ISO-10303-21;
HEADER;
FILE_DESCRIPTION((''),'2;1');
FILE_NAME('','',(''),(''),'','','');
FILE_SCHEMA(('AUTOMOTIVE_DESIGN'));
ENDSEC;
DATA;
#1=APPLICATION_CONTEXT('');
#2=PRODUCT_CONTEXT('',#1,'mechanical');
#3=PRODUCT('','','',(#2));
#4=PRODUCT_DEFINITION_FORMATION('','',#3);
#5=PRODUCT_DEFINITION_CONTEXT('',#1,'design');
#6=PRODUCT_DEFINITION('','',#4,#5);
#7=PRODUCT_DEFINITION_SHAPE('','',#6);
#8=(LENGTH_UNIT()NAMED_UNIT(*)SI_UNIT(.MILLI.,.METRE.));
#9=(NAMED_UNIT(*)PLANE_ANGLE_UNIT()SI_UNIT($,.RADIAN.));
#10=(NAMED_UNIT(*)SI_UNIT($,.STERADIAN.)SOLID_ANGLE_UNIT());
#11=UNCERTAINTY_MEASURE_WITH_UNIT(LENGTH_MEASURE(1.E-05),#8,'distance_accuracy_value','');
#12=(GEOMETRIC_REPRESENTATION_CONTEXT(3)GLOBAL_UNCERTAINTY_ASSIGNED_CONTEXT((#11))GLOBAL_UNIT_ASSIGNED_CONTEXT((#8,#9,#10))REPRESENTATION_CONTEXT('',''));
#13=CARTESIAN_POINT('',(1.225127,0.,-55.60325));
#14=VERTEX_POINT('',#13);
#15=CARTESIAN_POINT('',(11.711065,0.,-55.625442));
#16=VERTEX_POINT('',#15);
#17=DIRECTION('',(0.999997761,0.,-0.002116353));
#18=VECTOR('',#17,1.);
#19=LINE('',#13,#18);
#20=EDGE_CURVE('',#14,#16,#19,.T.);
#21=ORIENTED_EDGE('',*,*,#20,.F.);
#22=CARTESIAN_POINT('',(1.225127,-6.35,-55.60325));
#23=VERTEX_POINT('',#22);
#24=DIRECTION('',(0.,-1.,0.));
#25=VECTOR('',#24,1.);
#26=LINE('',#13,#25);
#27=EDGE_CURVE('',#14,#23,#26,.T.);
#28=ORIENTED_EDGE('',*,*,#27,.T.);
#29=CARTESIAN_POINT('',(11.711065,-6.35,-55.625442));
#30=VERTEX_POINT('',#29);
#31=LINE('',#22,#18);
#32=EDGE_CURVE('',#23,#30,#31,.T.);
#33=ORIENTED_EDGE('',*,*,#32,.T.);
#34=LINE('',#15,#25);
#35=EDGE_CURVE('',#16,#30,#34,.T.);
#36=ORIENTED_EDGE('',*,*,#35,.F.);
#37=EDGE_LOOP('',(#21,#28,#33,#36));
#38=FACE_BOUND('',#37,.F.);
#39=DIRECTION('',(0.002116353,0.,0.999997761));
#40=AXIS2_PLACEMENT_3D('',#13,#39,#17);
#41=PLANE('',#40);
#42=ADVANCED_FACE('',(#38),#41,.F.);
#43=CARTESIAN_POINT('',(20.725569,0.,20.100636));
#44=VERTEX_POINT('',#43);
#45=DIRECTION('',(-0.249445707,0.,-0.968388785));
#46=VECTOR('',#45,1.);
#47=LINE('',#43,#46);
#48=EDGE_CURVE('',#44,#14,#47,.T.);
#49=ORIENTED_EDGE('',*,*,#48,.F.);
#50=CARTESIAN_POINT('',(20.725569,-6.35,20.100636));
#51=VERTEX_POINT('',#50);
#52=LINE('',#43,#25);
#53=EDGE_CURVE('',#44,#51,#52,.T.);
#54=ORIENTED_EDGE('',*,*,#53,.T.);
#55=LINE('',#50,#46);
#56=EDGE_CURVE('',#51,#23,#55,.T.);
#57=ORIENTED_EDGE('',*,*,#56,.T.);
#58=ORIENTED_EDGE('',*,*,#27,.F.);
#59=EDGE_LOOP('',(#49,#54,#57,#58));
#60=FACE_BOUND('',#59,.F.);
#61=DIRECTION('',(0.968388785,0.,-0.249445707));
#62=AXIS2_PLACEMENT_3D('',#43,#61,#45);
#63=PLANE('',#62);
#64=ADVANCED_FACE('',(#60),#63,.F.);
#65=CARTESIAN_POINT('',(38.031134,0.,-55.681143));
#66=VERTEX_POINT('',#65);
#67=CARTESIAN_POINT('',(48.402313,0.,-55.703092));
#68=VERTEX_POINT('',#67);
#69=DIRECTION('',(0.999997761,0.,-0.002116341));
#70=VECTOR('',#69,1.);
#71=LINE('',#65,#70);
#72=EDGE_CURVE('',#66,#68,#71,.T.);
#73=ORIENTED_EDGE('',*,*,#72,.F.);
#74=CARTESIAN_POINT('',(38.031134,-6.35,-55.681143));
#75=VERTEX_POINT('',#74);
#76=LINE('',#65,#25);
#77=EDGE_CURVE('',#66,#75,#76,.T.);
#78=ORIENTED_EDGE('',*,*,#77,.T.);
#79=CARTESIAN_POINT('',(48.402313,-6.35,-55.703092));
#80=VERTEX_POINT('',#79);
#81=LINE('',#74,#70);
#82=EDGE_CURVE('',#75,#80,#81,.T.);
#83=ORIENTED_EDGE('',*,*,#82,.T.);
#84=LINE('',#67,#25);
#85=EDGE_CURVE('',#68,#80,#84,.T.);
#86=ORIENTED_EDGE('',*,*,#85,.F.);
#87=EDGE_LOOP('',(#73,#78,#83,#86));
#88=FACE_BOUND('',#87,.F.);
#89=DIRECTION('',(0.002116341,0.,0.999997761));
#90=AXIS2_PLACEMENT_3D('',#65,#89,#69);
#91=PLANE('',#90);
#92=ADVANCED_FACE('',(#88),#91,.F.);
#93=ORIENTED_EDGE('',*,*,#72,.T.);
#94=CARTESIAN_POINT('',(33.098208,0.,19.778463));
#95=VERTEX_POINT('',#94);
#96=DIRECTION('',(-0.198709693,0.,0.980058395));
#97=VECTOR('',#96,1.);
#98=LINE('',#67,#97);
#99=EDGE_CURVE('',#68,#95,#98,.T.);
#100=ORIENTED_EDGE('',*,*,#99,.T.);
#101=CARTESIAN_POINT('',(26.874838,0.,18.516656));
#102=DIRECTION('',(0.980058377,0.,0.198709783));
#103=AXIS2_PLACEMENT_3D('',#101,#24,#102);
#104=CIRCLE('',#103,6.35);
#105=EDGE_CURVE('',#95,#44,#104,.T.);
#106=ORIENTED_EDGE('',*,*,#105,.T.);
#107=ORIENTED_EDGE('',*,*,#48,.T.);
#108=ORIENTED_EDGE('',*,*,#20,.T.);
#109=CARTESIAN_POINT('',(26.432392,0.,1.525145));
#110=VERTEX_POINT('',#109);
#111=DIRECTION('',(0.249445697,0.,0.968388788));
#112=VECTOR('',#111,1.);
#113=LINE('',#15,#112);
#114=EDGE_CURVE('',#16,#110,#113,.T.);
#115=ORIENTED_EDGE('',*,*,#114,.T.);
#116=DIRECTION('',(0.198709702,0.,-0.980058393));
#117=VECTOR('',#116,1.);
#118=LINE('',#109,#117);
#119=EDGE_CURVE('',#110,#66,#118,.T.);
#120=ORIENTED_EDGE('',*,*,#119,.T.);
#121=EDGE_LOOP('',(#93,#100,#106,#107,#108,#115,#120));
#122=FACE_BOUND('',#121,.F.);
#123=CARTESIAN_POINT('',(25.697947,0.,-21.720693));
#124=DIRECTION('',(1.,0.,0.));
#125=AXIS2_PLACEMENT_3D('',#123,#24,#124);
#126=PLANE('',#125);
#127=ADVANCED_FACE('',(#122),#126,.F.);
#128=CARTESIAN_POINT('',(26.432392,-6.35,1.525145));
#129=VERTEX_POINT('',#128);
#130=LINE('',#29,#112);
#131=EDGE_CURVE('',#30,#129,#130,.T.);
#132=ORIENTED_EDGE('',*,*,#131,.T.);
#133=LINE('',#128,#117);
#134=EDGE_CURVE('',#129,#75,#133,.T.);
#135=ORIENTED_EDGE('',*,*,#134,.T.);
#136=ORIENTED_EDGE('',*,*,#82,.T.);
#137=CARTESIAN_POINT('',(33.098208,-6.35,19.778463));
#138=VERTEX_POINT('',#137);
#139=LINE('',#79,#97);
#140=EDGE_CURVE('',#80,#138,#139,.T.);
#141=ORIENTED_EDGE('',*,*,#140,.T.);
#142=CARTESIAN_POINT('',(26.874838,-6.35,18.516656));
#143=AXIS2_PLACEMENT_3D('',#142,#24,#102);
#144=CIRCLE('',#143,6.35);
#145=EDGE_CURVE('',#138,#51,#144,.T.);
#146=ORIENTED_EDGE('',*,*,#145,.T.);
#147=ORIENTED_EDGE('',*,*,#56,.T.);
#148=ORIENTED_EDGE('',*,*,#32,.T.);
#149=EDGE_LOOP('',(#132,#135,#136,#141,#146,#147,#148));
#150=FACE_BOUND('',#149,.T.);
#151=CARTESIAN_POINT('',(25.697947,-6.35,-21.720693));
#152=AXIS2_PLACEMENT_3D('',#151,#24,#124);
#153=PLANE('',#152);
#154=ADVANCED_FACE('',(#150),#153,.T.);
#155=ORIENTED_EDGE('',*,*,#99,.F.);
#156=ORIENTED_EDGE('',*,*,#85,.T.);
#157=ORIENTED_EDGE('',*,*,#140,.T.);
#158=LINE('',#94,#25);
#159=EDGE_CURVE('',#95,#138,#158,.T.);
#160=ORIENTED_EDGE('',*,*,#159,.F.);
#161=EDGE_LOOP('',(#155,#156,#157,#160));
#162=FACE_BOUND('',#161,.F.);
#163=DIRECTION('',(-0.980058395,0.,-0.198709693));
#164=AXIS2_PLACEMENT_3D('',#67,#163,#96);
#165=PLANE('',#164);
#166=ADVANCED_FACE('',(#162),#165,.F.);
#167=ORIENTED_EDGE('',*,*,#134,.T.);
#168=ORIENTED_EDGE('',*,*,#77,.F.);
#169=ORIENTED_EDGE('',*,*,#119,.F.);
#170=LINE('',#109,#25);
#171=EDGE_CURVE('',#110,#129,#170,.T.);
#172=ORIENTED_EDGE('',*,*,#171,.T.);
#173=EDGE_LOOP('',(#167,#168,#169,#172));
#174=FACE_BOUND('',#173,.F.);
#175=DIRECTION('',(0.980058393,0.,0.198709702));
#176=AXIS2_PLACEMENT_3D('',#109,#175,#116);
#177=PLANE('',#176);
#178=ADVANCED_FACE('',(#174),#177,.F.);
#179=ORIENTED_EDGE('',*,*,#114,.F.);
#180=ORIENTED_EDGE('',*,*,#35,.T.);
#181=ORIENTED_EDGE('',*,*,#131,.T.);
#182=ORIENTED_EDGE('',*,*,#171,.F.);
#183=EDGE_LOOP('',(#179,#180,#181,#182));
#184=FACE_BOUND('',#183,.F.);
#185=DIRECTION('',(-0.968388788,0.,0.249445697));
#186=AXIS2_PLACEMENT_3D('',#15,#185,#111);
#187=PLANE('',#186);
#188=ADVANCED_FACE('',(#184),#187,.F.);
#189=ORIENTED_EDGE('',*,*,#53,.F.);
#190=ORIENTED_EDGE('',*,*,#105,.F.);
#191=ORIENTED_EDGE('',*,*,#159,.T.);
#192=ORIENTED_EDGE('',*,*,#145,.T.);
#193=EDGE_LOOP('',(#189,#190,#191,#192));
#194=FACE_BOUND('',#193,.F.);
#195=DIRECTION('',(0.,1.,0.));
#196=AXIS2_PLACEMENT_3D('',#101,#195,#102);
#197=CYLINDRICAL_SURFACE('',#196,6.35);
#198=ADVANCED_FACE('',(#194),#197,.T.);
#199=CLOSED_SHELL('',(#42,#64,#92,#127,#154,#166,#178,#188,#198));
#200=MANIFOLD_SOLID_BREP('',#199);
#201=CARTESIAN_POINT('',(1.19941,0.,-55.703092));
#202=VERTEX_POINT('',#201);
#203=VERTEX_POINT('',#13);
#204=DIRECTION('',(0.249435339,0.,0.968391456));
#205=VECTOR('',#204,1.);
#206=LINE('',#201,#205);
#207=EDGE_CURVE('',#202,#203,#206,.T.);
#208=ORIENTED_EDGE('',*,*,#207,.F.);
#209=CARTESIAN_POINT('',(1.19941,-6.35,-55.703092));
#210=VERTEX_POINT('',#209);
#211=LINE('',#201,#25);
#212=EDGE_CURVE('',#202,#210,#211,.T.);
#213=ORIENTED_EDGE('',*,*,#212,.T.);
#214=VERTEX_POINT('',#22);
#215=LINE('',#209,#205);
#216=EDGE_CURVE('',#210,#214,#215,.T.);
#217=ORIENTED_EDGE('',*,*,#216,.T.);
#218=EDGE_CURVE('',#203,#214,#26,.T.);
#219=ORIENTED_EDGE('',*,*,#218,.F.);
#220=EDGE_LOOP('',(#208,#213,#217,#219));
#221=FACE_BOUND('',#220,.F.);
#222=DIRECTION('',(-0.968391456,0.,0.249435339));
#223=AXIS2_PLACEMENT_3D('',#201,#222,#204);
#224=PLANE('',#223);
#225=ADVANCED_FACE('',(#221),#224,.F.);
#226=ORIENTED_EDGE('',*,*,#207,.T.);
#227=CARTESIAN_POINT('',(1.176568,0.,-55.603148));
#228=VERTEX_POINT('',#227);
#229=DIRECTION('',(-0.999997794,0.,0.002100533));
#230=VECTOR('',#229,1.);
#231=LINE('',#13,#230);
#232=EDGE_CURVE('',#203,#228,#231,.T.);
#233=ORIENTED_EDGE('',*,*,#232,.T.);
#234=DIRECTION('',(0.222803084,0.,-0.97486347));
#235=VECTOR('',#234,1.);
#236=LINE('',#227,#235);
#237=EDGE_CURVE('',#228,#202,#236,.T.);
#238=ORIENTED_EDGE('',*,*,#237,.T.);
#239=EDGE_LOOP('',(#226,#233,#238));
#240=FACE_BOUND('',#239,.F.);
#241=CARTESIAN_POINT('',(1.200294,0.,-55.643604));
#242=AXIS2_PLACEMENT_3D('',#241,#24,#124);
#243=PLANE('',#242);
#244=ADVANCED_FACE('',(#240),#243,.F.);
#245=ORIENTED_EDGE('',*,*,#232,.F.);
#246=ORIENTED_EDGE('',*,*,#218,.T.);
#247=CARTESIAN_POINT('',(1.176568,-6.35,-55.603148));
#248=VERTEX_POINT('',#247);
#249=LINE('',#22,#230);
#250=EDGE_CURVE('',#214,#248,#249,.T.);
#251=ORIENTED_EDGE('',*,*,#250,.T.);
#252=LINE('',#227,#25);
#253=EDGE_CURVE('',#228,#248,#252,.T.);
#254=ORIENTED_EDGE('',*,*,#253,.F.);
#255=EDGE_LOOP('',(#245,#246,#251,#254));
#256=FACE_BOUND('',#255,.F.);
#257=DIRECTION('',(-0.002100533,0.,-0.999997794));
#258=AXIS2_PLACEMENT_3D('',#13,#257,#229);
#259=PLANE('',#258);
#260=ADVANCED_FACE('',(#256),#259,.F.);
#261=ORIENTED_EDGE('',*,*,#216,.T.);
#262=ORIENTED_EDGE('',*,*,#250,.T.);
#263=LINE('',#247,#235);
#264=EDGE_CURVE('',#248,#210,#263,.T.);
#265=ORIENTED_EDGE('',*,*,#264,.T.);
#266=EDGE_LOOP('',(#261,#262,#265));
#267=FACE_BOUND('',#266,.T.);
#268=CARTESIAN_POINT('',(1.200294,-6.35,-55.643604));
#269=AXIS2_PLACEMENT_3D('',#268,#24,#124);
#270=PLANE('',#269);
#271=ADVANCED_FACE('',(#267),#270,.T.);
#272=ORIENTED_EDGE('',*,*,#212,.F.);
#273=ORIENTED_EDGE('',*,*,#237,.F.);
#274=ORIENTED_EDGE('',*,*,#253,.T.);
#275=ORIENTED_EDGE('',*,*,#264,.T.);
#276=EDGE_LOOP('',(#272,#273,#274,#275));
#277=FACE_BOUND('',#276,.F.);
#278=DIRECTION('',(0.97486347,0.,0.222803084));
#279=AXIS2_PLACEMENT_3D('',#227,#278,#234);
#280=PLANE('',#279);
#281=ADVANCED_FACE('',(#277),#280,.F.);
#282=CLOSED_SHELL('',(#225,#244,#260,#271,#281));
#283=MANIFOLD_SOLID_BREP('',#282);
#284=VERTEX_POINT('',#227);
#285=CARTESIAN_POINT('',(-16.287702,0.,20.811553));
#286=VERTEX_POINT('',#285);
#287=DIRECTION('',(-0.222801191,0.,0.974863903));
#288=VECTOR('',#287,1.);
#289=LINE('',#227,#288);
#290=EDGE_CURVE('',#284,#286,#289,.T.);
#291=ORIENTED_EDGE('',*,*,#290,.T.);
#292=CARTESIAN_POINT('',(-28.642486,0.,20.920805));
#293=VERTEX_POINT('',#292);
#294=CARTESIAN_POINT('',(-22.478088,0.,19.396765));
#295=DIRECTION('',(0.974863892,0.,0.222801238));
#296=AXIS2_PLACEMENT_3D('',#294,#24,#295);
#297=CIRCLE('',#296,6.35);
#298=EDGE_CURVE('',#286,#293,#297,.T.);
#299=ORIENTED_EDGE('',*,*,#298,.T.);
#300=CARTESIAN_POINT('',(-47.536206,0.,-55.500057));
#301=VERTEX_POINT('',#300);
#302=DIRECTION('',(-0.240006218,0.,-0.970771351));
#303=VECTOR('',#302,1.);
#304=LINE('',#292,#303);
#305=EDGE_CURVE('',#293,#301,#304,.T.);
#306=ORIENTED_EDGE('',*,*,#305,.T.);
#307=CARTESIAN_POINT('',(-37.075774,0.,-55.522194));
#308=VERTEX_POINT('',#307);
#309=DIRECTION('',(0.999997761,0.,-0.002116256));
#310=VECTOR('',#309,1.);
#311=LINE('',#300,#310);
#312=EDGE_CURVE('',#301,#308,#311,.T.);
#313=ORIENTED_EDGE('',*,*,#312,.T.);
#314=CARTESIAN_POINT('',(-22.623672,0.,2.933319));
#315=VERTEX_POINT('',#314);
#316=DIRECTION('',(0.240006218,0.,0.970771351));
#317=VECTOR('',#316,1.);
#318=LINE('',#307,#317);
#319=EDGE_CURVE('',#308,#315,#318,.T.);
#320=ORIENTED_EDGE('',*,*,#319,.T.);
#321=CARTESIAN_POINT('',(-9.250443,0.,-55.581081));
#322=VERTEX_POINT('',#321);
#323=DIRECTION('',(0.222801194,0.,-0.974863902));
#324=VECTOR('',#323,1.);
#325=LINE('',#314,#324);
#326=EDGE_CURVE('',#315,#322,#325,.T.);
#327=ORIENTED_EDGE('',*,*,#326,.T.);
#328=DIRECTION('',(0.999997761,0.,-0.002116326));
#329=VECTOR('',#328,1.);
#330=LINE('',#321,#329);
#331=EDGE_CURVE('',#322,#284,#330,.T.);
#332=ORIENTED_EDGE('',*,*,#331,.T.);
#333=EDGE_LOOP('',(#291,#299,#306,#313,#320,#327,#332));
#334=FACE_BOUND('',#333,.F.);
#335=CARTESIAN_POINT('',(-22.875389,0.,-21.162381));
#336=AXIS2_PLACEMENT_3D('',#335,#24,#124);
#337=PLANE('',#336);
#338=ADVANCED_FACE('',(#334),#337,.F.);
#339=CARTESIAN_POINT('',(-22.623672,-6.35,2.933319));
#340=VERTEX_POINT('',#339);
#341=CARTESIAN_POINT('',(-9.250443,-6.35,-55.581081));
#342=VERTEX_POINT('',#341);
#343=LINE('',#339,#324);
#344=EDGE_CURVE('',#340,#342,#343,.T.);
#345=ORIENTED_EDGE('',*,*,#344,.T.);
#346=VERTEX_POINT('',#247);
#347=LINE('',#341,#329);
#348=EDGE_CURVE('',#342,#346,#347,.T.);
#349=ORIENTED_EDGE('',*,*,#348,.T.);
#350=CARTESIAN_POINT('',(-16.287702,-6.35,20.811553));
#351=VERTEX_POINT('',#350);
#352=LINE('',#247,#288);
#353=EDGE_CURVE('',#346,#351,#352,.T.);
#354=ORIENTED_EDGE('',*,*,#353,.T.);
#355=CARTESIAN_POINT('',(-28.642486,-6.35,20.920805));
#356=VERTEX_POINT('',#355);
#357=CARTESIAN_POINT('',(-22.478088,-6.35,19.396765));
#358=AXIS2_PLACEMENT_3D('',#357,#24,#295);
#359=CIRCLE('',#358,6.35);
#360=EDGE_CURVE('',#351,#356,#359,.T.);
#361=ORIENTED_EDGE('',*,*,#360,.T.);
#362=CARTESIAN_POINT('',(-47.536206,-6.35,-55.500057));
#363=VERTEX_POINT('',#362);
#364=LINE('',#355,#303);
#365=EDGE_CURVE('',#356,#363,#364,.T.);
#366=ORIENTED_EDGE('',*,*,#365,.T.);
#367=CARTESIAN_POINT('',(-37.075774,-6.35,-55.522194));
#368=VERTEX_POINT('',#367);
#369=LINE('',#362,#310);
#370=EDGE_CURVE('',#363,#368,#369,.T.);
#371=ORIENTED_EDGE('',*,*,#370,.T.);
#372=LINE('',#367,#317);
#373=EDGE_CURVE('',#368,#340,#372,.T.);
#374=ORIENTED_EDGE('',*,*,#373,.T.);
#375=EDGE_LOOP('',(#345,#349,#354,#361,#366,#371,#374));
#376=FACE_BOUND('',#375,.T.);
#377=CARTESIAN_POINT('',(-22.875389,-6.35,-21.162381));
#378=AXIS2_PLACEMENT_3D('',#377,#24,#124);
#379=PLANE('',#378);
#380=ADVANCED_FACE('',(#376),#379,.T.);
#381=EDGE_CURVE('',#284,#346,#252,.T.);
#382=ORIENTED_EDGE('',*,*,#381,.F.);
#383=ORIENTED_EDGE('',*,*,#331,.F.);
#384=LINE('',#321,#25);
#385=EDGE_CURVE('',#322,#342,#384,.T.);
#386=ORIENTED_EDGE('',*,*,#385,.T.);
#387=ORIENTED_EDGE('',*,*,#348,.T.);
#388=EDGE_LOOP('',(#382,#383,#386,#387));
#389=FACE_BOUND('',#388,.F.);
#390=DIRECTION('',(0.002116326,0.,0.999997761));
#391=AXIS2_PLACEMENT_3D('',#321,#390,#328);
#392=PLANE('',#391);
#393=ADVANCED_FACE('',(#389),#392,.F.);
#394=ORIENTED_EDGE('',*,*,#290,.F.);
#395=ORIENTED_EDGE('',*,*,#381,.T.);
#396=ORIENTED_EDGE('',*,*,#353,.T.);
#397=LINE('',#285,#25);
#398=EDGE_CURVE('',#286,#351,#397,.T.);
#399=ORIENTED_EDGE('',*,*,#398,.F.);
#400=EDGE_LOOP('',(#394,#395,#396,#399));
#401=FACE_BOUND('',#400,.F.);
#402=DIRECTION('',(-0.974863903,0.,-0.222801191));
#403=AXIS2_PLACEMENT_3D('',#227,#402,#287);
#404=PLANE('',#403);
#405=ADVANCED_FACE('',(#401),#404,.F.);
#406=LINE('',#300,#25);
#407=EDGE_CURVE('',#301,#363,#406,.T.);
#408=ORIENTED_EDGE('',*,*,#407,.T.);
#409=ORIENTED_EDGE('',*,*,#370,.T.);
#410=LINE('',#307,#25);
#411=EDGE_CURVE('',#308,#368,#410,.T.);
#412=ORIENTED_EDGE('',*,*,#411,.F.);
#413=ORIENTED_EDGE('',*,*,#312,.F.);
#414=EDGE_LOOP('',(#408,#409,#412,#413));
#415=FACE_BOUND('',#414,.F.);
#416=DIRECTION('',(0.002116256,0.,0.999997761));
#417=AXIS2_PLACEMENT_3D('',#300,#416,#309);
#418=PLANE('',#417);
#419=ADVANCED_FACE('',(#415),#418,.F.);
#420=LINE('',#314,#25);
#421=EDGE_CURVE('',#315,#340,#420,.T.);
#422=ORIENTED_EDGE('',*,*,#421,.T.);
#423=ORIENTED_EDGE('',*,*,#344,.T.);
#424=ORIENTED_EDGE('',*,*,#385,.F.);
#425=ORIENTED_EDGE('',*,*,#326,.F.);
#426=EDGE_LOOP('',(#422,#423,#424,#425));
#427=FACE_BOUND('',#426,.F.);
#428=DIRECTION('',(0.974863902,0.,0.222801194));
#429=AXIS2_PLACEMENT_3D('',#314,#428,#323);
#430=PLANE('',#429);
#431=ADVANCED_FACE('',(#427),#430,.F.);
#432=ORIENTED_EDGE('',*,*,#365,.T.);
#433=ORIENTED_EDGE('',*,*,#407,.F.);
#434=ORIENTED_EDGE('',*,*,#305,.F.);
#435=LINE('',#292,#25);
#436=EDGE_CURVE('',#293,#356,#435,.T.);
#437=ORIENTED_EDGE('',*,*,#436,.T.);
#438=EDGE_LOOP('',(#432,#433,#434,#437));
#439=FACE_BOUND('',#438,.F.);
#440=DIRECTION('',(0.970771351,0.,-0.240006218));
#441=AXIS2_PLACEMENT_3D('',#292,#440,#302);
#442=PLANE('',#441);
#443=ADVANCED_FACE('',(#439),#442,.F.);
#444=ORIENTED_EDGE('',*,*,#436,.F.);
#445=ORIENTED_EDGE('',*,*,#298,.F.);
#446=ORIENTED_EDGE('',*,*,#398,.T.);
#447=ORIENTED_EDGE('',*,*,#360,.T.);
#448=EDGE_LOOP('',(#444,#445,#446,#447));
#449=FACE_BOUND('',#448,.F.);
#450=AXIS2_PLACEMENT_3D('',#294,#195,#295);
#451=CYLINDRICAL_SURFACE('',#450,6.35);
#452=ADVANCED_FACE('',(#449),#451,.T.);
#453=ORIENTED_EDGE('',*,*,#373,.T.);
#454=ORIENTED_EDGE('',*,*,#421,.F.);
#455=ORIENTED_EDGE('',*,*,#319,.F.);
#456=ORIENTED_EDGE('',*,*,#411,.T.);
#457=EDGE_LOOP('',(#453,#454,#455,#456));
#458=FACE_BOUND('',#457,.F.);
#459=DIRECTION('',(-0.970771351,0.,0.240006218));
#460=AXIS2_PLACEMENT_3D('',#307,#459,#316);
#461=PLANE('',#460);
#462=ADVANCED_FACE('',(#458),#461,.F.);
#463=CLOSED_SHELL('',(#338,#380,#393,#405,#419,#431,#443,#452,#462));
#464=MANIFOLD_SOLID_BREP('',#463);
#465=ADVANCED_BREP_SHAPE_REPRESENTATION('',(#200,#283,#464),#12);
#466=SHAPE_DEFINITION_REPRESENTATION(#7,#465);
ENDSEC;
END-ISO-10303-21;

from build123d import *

# Parameters (mm, degrees)
F1_DEPTH = 6.35


with BuildPart() as f1:
    # F0 (on Front) → F1 (new body)
    with BuildSketch(Plane.XZ):
        with BuildLine():
            Line((20.725569, 20.100636), (1.225127, -55.60325))
            Line((1.225127, -55.60325), (11.711065, -55.625442))
            Line((11.711065, -55.625442), (26.432392, 1.525145))
            Line((26.432392, 1.525145), (38.031134, -55.681143))
            Line((38.031134, -55.681143), (48.402313, -55.703092))
            Line((48.402313, -55.703092), (33.098208, 19.778463))
            ThreePointArc((33.098208, 19.778463), (27.04013, 24.864504), (20.725569, 20.100636))
        make_face()
        Polygon((1.225127, -55.60325), (1.176568, -55.603148), (1.19941, -55.703092), align=None)
        with BuildLine():
            Line((-28.642486, 20.920805), (-47.536206, -55.500057))
            Line((-47.536206, -55.500057), (-37.075774, -55.522194))
            Line((-37.075774, -55.522194), (-22.623672, 2.933319))
            Line((-22.623672, 2.933319), (-9.250443, -55.581081))
            Line((-9.250443, -55.581081), (1.176568, -55.603148))
            Line((1.176568, -55.603148), (-16.287702, 20.811553))
            ThreePointArc((-16.287702, 20.811553), (-22.421938, 25.746517), (-28.642486, 20.920805))
        make_face()
    extrude(amount=F1_DEPTH)


solid = f1.part
